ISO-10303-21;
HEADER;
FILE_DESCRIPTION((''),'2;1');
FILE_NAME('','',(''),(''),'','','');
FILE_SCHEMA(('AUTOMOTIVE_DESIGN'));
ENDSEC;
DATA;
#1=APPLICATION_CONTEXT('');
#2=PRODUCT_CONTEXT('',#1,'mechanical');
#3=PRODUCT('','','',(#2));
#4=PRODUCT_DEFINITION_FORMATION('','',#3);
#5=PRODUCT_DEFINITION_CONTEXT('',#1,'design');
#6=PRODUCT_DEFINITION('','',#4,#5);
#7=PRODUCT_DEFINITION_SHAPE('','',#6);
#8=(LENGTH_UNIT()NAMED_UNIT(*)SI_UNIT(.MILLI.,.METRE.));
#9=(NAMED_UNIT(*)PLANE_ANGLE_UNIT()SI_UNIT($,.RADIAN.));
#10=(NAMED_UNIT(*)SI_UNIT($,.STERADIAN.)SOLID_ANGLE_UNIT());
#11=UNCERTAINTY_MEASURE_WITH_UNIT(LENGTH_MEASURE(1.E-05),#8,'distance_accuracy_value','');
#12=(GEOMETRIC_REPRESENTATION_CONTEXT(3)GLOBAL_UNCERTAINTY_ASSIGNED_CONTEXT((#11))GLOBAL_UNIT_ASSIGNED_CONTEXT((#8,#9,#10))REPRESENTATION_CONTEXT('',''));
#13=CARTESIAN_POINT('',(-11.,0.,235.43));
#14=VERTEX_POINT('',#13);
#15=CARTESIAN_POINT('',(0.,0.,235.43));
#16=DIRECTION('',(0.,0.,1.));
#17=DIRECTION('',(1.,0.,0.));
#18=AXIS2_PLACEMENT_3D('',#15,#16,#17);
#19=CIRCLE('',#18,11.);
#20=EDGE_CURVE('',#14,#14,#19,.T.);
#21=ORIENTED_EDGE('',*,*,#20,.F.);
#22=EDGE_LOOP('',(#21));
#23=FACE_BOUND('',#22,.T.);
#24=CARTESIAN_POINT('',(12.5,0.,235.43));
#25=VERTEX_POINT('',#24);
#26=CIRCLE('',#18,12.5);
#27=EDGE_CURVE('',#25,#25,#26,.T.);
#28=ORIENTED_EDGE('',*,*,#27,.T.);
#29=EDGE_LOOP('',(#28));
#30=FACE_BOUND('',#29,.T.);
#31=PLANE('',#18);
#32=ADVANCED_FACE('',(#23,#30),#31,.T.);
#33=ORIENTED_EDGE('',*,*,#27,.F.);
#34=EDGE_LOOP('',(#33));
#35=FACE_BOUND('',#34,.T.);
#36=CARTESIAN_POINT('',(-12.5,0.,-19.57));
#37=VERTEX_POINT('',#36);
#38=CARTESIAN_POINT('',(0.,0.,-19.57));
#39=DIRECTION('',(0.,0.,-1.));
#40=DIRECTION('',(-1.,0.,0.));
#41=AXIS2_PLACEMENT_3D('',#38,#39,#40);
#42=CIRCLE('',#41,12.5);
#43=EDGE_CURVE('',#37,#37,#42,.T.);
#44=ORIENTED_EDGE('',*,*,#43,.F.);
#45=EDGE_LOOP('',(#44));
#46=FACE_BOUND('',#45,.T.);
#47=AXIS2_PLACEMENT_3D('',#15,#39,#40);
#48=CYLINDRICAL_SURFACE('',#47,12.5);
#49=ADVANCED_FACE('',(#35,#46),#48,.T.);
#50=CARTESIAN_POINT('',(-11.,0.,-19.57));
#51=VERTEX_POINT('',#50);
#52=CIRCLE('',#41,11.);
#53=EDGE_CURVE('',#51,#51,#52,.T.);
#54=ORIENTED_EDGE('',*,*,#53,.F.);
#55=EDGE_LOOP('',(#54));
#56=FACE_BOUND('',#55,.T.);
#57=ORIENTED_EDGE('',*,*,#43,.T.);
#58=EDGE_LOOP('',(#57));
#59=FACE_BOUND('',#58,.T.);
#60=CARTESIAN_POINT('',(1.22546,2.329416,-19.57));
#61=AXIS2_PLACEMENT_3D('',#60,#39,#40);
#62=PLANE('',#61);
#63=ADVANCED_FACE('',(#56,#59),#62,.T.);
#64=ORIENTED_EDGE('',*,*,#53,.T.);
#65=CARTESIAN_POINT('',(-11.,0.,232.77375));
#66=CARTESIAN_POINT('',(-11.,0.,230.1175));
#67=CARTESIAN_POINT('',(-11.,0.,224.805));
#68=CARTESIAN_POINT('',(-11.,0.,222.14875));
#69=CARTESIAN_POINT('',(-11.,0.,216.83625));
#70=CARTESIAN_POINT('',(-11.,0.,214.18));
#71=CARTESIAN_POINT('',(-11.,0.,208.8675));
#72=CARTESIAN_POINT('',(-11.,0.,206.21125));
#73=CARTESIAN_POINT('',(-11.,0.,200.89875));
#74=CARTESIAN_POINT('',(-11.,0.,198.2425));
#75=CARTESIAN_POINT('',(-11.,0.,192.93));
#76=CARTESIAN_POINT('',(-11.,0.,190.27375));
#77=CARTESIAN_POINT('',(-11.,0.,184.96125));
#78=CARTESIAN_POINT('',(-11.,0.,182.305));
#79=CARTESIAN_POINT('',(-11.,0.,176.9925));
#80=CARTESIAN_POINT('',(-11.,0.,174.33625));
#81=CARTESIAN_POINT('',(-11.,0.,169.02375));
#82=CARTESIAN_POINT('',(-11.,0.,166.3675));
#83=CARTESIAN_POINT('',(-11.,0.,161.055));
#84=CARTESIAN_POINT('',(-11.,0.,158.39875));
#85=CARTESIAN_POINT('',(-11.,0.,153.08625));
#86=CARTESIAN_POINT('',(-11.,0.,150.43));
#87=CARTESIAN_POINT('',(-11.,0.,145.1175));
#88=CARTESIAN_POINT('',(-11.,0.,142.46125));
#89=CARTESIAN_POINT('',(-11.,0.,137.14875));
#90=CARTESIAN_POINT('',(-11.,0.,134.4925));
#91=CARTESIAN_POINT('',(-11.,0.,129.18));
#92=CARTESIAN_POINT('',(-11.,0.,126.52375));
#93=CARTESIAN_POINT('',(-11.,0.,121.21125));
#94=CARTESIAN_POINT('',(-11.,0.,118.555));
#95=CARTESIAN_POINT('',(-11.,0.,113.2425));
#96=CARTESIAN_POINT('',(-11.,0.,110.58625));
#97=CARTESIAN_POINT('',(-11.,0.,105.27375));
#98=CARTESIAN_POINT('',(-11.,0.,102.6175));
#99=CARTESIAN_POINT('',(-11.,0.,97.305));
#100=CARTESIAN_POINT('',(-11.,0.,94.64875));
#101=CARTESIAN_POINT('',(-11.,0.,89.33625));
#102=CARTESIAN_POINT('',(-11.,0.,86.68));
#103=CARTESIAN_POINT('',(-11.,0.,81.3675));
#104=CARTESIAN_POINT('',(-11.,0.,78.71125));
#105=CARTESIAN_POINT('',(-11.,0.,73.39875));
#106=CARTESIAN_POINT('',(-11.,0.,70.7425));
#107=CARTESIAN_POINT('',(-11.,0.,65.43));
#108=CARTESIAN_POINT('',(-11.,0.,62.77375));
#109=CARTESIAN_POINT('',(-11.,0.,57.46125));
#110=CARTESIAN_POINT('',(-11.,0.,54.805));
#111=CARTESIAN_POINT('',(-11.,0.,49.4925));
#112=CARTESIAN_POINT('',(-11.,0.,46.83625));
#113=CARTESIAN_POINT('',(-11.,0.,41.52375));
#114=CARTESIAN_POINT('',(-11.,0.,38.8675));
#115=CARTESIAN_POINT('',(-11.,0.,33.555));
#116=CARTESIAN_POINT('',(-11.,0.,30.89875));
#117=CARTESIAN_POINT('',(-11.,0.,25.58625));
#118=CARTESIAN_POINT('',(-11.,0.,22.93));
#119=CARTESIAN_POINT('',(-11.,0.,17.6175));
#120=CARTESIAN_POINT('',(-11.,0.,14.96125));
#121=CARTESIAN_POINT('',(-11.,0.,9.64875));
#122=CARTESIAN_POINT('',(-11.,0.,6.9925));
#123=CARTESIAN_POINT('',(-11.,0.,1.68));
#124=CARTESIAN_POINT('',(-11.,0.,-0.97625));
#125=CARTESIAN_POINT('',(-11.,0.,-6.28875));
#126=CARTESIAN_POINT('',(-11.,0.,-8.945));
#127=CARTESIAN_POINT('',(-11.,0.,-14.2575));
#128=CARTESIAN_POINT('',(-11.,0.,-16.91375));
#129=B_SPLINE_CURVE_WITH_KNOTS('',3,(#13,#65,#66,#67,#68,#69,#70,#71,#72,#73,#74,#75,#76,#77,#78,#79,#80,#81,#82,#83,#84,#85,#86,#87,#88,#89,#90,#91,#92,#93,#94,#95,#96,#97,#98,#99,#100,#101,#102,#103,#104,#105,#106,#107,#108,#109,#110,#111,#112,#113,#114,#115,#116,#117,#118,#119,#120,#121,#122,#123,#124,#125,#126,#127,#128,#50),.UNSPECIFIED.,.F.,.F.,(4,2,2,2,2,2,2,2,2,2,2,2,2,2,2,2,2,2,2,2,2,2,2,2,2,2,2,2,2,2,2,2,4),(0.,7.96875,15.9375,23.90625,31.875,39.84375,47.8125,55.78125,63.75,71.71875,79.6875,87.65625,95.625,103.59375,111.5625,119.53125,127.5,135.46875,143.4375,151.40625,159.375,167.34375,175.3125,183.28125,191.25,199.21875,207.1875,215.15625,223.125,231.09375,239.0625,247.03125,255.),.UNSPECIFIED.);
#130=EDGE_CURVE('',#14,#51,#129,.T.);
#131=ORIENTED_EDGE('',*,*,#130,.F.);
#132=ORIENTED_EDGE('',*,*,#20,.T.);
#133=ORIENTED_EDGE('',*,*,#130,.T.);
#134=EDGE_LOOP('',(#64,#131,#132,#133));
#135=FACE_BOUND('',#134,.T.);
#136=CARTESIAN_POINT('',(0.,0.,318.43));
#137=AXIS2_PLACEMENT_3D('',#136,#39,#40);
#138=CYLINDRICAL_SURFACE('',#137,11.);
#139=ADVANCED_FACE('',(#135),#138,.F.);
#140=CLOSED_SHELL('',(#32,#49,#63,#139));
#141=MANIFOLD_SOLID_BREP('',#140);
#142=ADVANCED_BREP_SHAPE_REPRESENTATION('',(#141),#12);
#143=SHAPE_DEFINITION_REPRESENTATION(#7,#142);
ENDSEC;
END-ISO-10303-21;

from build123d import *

# Parameters (mm, degrees)
SKETCH_1_R          = 12.5
EXTRUDE_2_DEPTH     = 235.43
SKETCH_2_R          = 9
CUT_EXTRUDE_1_DEPTH = 235.43
EXTRUDE_START       = 15.57
SKETCH_3_R          = 12.5
EXTRUDE_3_DEPTH     = 15.57
SKETCH_4_R          = 9
CUT_EXTRUDE_2_DEPTH = 20
EXTRUDE_START_2     = 9.93
SKETCH_5_R          = 12.5
EXTRUDE_4_DEPTH     = 9.93
SKETCH_6_R          = 9
CUT_EXTRUDE_3_DEPTH = 10
SKETCH_7_R          = 26.85848727
CUT_EXTRUDE_4_DEPTH = 14.93
SKETCH_8_R          = 12.5
EXTRUDE_5_DEPTH     = 9.93
SKETCH_9_R          = 9
CUT_EXTRUDE_5_DEPTH = 10
SKETCH_10_R         = 37.193394561
CUT_EXTRUDE_6_DEPTH = 0.22
SKETCH_11_R         = 43.187188263
CUT_EXTRUDE_7_DEPTH = 0.71
SKETCH_12_R         = 11
CUT_EXTRUDE_8_DEPTH = 338


with BuildPart() as part:
    # 草图1 → 凸台-拉伸2 (new body)
    with BuildSketch(Plane.XY):
        Circle(SKETCH_1_R)
    extrude(amount=EXTRUDE_2_DEPTH)

    # 草图2 → 切除-拉伸1 (cut)
    with BuildSketch(Plane(origin=(0, 0, 0), x_dir=(-1, 0, 0), z_dir=(0, 0, -1))):
        Circle(SKETCH_2_R)
    extrude(amount=-CUT_EXTRUDE_1_DEPTH, mode=Mode.SUBTRACT)

    # 草图3 → 凸台-拉伸3 (add)
    with BuildSketch(Plane(origin=(0, 0, 0), x_dir=(-1, 0, 0), z_dir=(0, 0, -1)).offset(EXTRUDE_START)):
        Circle(SKETCH_3_R)
    extrude(amount=-EXTRUDE_3_DEPTH)

    # 草图4 → 切除-拉伸2 (cut)
    with BuildSketch(Plane(origin=(0, 0, -15.57), x_dir=(-1, 0, 0), z_dir=(0, 0, -1))):
        Circle(SKETCH_4_R)
    extrude(amount=-CUT_EXTRUDE_2_DEPTH, mode=Mode.SUBTRACT)

    # 草图5 → 凸台-拉伸4 (add)
    with BuildSketch(Plane(origin=(0, 0, -15.57), x_dir=(-1, 0, 0), z_dir=(0, 0, -1)).offset(EXTRUDE_START_2)):
        Circle(SKETCH_5_R)
    extrude(amount=-EXTRUDE_4_DEPTH)

    # 草图6 → 切除-拉伸3 (cut)
    with BuildSketch(Plane(origin=(0, 0, -25.5), x_dir=(-1, 0, 0), z_dir=(0, 0, -1))):
        Circle(SKETCH_6_R)
    extrude(amount=-CUT_EXTRUDE_3_DEPTH, mode=Mode.SUBTRACT)

    # 草图7 → 切除-拉伸4 (cut)
    with BuildSketch(Plane(origin=(0, 0, -25.5), x_dir=(-1, 0, 0), z_dir=(0, 0, -1))):
        Circle(SKETCH_7_R)
    extrude(amount=-CUT_EXTRUDE_4_DEPTH, mode=Mode.SUBTRACT)

    # 草图8 → 凸台-拉伸5 (add)
    with BuildSketch(Plane(origin=(0, 0, -10.57), x_dir=(-1, 0, 0), z_dir=(0, 0, -1)).offset(EXTRUDE_START_2)):
        Circle(SKETCH_8_R)
    extrude(amount=-EXTRUDE_5_DEPTH)

    # 草图9 → 切除-拉伸5 (cut)
    with BuildSketch(Plane(origin=(0, 0, -20.5), x_dir=(-1, 0, 0), z_dir=(0, 0, -1))):
        Circle(SKETCH_9_R)
    extrude(amount=-CUT_EXTRUDE_5_DEPTH, mode=Mode.SUBTRACT)

    # 草图10 → 切除-拉伸6 (cut)
    with BuildSketch(Plane(origin=(0, 0, -20.5), x_dir=(-1, 0, 0), z_dir=(0, 0, -1))):
        with Locations((7.201744855, 7.507888779)):
            Circle(SKETCH_10_R)
    extrude(amount=-CUT_EXTRUDE_6_DEPTH, mode=Mode.SUBTRACT)

    # 草图11 → 切除-拉伸7 (cut)
    with BuildSketch(Plane(origin=(0, 0, -20.28), x_dir=(-1, 0, 0), z_dir=(0, 0, -1))):
        with Locations((-1.225460352, 2.329416421)):
            Circle(SKETCH_11_R)
    extrude(amount=-CUT_EXTRUDE_7_DEPTH, mode=Mode.SUBTRACT)

    # 草图12 → 切除-拉伸8 (cut)
    with BuildSketch(Plane(origin=(0, 0, -19.57), x_dir=(-1, 0, 0), z_dir=(0, 0, -1))):
        Circle(SKETCH_12_R)
    extrude(amount=-CUT_EXTRUDE_8_DEPTH, mode=Mode.SUBTRACT)


solid = part.part
